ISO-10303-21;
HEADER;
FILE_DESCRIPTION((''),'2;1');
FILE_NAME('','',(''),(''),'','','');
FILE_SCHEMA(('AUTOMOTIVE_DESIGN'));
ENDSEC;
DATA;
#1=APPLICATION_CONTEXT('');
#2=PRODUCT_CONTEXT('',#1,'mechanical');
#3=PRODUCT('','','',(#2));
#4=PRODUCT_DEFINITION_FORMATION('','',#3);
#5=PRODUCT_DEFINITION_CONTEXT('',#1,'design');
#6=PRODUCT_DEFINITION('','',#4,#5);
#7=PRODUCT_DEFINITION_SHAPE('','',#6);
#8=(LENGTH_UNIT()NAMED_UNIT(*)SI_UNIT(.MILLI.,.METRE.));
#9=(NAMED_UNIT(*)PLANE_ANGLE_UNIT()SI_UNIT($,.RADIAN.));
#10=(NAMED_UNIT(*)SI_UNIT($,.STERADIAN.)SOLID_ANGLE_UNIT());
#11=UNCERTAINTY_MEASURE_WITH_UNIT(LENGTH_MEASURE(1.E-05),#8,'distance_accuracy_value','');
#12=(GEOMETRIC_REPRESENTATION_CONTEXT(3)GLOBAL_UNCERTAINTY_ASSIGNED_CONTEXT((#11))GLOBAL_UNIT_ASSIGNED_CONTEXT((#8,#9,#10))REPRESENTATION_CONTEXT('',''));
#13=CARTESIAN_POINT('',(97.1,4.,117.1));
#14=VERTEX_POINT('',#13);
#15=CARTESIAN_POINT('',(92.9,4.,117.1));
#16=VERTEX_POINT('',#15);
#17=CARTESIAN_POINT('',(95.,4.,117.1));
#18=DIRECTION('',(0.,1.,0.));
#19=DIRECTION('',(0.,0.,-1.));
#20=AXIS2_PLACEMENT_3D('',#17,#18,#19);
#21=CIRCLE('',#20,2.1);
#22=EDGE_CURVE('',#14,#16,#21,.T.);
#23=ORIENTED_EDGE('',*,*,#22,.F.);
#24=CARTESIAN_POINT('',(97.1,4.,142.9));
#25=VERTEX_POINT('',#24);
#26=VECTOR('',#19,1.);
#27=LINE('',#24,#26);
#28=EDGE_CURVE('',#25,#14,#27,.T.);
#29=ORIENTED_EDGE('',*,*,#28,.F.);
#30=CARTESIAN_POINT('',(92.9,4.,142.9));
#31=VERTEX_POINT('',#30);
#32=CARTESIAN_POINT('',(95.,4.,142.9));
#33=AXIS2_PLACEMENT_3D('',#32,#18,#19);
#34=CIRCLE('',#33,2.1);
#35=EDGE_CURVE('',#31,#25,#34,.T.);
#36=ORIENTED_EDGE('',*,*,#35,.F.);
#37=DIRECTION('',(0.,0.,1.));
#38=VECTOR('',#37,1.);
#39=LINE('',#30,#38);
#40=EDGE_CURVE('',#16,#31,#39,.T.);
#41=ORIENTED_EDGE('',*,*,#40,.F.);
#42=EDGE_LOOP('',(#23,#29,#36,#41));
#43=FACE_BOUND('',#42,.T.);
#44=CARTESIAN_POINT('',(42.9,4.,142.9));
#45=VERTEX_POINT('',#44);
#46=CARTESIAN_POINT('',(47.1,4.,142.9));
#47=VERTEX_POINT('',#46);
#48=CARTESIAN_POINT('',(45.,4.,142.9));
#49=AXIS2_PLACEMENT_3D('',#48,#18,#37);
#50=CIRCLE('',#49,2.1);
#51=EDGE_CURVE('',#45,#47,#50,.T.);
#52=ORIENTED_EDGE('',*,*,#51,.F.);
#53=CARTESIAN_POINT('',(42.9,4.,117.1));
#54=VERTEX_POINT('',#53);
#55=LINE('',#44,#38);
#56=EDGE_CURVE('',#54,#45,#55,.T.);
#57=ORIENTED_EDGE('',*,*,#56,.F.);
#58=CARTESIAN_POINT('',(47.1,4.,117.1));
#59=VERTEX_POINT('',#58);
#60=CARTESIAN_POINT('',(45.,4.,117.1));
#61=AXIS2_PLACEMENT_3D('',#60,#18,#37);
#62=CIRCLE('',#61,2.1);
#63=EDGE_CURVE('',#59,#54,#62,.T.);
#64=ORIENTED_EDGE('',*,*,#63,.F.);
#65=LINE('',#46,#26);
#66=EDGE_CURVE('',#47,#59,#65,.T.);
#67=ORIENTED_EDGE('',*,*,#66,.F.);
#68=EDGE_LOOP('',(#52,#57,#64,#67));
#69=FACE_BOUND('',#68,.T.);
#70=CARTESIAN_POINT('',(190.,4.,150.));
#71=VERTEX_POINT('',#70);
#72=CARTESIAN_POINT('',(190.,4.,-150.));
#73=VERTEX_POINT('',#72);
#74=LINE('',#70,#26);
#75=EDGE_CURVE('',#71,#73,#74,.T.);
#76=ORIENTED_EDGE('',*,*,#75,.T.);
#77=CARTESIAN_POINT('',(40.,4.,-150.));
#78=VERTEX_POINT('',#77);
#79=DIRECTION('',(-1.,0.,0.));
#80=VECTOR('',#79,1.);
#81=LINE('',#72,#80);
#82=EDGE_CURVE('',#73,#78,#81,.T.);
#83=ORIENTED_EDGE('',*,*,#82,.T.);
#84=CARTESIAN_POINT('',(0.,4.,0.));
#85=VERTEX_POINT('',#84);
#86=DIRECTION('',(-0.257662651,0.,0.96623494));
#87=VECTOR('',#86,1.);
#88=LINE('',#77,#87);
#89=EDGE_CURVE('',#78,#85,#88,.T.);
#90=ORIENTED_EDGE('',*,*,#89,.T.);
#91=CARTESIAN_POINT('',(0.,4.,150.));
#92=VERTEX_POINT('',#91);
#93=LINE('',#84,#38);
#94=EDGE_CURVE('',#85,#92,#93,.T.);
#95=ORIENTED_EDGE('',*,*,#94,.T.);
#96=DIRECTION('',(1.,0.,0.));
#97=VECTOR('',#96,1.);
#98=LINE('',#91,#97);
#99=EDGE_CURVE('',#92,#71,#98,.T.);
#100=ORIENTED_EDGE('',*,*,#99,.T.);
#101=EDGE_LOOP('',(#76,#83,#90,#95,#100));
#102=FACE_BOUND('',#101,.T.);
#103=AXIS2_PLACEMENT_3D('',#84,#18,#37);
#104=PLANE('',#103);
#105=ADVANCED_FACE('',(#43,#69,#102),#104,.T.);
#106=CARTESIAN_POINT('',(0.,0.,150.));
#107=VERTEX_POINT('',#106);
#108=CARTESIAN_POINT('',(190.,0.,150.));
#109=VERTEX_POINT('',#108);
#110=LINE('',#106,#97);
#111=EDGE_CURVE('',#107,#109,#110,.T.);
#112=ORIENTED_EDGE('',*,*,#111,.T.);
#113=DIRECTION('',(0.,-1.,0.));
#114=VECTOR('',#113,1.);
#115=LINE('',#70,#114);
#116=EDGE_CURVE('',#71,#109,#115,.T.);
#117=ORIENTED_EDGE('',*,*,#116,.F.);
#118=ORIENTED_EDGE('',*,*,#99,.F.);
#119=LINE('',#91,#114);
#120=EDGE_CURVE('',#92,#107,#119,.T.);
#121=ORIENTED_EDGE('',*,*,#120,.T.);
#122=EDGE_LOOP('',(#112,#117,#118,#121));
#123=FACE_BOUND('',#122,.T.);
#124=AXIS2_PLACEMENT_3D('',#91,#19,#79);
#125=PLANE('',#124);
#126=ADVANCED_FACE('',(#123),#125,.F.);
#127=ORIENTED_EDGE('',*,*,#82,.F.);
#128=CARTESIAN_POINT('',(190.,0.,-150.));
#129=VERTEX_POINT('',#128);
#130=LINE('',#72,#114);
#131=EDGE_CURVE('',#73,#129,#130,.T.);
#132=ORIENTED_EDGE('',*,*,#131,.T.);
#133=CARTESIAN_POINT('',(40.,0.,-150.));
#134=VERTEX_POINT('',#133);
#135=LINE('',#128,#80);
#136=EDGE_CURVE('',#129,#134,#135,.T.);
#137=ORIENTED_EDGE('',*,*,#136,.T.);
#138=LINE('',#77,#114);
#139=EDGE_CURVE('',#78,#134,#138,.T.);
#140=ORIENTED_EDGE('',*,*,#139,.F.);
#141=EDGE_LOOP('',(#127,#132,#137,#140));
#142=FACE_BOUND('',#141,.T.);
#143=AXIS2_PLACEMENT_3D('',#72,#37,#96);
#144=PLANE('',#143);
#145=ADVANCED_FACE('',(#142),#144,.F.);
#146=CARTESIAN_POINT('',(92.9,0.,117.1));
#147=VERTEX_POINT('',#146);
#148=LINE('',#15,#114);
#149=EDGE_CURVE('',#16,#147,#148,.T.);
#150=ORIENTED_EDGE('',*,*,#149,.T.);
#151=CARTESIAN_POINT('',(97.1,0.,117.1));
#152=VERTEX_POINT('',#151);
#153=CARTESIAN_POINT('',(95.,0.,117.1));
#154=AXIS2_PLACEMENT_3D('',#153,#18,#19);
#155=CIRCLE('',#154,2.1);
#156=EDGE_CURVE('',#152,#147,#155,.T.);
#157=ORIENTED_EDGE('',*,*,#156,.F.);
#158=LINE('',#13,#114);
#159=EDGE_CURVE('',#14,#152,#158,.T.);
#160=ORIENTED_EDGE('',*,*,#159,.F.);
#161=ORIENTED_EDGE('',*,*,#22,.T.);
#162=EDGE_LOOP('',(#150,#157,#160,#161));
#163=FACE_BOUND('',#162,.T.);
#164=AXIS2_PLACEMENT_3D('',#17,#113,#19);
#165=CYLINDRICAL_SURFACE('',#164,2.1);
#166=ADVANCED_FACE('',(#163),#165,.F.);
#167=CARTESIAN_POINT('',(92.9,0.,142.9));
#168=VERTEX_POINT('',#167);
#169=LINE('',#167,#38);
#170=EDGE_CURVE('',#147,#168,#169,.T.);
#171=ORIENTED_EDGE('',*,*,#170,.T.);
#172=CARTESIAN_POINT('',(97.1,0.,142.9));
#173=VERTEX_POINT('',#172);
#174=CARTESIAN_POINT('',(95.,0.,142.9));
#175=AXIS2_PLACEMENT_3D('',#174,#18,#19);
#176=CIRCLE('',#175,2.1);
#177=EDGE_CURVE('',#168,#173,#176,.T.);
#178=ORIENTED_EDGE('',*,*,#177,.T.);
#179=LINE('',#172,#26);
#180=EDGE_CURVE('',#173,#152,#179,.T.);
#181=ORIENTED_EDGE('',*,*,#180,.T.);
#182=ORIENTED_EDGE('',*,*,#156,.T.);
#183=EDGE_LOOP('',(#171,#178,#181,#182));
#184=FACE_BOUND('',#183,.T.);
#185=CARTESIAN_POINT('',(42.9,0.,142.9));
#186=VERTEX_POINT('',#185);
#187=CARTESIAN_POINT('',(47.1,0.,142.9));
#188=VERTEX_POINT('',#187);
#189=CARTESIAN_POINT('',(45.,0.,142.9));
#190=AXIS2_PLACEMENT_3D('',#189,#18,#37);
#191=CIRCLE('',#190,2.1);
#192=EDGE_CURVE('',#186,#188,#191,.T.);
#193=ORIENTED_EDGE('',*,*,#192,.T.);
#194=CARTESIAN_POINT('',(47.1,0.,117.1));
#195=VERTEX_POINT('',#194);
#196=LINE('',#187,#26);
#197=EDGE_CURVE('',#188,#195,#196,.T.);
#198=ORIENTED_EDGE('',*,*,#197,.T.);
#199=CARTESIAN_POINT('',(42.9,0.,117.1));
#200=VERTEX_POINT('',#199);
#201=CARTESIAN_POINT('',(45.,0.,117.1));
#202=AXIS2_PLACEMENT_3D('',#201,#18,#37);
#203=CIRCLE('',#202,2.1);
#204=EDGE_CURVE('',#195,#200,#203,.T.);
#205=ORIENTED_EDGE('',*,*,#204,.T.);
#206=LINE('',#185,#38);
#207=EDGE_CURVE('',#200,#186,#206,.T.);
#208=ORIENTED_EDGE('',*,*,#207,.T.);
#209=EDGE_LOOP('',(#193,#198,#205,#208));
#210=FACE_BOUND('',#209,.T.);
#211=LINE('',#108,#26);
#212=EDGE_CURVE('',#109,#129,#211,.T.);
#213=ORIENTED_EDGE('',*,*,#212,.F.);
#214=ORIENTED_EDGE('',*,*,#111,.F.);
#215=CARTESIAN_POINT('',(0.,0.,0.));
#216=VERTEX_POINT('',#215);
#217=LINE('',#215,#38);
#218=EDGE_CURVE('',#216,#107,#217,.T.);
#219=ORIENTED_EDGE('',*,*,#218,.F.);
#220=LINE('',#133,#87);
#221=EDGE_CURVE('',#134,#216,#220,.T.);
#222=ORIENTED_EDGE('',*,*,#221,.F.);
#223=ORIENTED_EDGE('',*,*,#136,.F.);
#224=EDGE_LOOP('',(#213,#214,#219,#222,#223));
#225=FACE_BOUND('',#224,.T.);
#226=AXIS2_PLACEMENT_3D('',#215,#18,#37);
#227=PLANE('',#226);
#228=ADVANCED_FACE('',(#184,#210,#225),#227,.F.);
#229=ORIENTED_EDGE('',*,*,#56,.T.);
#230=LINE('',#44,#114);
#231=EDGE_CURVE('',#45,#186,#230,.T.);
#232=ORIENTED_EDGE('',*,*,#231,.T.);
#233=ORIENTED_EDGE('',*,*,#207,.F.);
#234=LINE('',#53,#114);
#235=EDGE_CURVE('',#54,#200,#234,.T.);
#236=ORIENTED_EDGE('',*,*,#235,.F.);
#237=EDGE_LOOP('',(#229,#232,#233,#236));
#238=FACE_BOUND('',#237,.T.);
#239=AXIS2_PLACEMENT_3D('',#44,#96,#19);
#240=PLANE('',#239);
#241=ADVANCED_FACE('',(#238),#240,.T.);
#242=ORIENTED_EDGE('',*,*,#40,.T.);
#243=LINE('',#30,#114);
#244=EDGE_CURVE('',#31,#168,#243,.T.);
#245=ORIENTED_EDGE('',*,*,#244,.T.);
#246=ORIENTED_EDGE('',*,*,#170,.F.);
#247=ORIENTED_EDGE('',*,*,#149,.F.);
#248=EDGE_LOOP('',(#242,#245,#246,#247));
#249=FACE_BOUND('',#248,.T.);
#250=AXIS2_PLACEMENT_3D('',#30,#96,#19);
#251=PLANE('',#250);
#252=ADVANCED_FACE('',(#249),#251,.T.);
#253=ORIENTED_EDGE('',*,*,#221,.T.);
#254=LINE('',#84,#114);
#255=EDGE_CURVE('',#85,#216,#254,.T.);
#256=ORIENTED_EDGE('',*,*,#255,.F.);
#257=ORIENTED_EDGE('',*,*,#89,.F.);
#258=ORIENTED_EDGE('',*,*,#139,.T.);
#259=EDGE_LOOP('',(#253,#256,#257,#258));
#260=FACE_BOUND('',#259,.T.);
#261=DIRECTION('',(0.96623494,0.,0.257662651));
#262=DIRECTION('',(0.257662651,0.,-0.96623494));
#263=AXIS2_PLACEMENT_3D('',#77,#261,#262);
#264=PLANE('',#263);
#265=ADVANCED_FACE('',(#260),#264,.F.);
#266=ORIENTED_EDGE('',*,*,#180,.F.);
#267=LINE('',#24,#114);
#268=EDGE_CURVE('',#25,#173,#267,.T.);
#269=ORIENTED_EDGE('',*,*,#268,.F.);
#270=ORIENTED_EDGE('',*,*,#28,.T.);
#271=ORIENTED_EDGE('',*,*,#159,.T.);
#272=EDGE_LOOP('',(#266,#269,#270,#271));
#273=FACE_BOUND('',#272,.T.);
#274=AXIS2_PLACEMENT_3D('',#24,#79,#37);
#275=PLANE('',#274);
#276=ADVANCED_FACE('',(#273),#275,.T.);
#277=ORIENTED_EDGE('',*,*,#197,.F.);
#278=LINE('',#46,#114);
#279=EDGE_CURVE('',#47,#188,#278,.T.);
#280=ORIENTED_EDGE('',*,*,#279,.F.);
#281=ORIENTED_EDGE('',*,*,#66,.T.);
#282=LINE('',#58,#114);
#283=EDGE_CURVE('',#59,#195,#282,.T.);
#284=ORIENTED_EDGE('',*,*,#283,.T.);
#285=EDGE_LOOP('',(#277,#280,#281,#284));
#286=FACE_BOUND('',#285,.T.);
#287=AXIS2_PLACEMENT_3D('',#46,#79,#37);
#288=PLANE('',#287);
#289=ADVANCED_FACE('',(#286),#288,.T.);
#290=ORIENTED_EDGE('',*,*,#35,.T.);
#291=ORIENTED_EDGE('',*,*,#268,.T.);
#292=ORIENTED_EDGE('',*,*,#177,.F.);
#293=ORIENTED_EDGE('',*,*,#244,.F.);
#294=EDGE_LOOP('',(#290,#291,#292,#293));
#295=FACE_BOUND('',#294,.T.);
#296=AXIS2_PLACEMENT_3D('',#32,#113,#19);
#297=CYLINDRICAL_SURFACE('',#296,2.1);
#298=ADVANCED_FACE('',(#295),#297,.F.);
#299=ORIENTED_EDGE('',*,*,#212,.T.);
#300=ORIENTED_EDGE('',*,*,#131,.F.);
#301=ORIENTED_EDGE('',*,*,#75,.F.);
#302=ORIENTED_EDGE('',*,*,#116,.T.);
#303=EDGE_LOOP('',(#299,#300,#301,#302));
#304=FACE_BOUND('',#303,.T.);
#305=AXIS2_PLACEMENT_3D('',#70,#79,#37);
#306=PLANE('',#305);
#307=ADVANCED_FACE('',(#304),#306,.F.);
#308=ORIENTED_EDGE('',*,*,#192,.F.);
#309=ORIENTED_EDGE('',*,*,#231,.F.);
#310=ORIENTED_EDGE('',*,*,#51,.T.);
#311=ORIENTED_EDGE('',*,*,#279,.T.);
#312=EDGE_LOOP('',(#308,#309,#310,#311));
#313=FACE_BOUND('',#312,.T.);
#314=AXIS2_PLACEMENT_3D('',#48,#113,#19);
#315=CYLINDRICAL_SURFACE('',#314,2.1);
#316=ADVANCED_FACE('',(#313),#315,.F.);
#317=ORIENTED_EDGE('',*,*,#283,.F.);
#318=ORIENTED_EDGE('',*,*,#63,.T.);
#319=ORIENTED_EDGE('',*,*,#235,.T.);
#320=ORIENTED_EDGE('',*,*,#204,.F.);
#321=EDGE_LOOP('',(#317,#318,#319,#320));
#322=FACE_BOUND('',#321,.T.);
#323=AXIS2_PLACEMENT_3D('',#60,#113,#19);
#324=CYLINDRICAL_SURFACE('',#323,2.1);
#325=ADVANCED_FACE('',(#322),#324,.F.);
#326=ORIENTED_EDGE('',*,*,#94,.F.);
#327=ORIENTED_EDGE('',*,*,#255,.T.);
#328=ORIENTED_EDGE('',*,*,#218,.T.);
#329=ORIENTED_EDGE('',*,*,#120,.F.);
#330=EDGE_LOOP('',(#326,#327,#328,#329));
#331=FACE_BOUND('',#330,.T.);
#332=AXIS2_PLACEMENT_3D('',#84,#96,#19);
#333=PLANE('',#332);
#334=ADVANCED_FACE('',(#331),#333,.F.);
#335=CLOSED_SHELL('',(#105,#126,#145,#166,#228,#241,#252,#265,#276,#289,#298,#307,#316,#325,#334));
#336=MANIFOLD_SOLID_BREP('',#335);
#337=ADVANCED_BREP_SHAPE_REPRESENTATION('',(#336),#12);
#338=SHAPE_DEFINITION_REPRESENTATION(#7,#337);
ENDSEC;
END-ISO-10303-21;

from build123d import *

# Parameters (mm, degrees)
BOSS_EXTRUDE1_DEPTH = 4


with BuildPart() as part:
    # Sketch1 → Boss-Extrude1 (new body)
    with BuildSketch(Plane(origin=(0, 0, 0), x_dir=(-1, 0, 0), z_dir=(0, 1, 0))):
        Polygon((0, 0), (0, 150), (-190, 150), (-190, -150), (-40, -150), align=None)
        with BuildLine():
            Line((-97.1, 142.9), (-97.1, 117.1))
            ThreePointArc((-97.1, 117.1), (-95, 115), (-92.9, 117.1))
            Line((-92.9, 117.1), (-92.9, 142.9))
            ThreePointArc((-92.9, 142.9), (-95, 145), (-97.1, 142.9))
        make_face(mode=Mode.SUBTRACT)
        with BuildLine():
            Line((-42.9, 142.9), (-42.9, 117.1))
            ThreePointArc((-42.9, 117.1), (-45, 115), (-47.1, 117.1))
            Line((-47.1, 117.1), (-47.1, 142.9))
            ThreePointArc((-47.1, 142.9), (-45, 145), (-42.9, 142.9))
        make_face(mode=Mode.SUBTRACT)
    extrude(amount=BOSS_EXTRUDE1_DEPTH)


solid = part.part
